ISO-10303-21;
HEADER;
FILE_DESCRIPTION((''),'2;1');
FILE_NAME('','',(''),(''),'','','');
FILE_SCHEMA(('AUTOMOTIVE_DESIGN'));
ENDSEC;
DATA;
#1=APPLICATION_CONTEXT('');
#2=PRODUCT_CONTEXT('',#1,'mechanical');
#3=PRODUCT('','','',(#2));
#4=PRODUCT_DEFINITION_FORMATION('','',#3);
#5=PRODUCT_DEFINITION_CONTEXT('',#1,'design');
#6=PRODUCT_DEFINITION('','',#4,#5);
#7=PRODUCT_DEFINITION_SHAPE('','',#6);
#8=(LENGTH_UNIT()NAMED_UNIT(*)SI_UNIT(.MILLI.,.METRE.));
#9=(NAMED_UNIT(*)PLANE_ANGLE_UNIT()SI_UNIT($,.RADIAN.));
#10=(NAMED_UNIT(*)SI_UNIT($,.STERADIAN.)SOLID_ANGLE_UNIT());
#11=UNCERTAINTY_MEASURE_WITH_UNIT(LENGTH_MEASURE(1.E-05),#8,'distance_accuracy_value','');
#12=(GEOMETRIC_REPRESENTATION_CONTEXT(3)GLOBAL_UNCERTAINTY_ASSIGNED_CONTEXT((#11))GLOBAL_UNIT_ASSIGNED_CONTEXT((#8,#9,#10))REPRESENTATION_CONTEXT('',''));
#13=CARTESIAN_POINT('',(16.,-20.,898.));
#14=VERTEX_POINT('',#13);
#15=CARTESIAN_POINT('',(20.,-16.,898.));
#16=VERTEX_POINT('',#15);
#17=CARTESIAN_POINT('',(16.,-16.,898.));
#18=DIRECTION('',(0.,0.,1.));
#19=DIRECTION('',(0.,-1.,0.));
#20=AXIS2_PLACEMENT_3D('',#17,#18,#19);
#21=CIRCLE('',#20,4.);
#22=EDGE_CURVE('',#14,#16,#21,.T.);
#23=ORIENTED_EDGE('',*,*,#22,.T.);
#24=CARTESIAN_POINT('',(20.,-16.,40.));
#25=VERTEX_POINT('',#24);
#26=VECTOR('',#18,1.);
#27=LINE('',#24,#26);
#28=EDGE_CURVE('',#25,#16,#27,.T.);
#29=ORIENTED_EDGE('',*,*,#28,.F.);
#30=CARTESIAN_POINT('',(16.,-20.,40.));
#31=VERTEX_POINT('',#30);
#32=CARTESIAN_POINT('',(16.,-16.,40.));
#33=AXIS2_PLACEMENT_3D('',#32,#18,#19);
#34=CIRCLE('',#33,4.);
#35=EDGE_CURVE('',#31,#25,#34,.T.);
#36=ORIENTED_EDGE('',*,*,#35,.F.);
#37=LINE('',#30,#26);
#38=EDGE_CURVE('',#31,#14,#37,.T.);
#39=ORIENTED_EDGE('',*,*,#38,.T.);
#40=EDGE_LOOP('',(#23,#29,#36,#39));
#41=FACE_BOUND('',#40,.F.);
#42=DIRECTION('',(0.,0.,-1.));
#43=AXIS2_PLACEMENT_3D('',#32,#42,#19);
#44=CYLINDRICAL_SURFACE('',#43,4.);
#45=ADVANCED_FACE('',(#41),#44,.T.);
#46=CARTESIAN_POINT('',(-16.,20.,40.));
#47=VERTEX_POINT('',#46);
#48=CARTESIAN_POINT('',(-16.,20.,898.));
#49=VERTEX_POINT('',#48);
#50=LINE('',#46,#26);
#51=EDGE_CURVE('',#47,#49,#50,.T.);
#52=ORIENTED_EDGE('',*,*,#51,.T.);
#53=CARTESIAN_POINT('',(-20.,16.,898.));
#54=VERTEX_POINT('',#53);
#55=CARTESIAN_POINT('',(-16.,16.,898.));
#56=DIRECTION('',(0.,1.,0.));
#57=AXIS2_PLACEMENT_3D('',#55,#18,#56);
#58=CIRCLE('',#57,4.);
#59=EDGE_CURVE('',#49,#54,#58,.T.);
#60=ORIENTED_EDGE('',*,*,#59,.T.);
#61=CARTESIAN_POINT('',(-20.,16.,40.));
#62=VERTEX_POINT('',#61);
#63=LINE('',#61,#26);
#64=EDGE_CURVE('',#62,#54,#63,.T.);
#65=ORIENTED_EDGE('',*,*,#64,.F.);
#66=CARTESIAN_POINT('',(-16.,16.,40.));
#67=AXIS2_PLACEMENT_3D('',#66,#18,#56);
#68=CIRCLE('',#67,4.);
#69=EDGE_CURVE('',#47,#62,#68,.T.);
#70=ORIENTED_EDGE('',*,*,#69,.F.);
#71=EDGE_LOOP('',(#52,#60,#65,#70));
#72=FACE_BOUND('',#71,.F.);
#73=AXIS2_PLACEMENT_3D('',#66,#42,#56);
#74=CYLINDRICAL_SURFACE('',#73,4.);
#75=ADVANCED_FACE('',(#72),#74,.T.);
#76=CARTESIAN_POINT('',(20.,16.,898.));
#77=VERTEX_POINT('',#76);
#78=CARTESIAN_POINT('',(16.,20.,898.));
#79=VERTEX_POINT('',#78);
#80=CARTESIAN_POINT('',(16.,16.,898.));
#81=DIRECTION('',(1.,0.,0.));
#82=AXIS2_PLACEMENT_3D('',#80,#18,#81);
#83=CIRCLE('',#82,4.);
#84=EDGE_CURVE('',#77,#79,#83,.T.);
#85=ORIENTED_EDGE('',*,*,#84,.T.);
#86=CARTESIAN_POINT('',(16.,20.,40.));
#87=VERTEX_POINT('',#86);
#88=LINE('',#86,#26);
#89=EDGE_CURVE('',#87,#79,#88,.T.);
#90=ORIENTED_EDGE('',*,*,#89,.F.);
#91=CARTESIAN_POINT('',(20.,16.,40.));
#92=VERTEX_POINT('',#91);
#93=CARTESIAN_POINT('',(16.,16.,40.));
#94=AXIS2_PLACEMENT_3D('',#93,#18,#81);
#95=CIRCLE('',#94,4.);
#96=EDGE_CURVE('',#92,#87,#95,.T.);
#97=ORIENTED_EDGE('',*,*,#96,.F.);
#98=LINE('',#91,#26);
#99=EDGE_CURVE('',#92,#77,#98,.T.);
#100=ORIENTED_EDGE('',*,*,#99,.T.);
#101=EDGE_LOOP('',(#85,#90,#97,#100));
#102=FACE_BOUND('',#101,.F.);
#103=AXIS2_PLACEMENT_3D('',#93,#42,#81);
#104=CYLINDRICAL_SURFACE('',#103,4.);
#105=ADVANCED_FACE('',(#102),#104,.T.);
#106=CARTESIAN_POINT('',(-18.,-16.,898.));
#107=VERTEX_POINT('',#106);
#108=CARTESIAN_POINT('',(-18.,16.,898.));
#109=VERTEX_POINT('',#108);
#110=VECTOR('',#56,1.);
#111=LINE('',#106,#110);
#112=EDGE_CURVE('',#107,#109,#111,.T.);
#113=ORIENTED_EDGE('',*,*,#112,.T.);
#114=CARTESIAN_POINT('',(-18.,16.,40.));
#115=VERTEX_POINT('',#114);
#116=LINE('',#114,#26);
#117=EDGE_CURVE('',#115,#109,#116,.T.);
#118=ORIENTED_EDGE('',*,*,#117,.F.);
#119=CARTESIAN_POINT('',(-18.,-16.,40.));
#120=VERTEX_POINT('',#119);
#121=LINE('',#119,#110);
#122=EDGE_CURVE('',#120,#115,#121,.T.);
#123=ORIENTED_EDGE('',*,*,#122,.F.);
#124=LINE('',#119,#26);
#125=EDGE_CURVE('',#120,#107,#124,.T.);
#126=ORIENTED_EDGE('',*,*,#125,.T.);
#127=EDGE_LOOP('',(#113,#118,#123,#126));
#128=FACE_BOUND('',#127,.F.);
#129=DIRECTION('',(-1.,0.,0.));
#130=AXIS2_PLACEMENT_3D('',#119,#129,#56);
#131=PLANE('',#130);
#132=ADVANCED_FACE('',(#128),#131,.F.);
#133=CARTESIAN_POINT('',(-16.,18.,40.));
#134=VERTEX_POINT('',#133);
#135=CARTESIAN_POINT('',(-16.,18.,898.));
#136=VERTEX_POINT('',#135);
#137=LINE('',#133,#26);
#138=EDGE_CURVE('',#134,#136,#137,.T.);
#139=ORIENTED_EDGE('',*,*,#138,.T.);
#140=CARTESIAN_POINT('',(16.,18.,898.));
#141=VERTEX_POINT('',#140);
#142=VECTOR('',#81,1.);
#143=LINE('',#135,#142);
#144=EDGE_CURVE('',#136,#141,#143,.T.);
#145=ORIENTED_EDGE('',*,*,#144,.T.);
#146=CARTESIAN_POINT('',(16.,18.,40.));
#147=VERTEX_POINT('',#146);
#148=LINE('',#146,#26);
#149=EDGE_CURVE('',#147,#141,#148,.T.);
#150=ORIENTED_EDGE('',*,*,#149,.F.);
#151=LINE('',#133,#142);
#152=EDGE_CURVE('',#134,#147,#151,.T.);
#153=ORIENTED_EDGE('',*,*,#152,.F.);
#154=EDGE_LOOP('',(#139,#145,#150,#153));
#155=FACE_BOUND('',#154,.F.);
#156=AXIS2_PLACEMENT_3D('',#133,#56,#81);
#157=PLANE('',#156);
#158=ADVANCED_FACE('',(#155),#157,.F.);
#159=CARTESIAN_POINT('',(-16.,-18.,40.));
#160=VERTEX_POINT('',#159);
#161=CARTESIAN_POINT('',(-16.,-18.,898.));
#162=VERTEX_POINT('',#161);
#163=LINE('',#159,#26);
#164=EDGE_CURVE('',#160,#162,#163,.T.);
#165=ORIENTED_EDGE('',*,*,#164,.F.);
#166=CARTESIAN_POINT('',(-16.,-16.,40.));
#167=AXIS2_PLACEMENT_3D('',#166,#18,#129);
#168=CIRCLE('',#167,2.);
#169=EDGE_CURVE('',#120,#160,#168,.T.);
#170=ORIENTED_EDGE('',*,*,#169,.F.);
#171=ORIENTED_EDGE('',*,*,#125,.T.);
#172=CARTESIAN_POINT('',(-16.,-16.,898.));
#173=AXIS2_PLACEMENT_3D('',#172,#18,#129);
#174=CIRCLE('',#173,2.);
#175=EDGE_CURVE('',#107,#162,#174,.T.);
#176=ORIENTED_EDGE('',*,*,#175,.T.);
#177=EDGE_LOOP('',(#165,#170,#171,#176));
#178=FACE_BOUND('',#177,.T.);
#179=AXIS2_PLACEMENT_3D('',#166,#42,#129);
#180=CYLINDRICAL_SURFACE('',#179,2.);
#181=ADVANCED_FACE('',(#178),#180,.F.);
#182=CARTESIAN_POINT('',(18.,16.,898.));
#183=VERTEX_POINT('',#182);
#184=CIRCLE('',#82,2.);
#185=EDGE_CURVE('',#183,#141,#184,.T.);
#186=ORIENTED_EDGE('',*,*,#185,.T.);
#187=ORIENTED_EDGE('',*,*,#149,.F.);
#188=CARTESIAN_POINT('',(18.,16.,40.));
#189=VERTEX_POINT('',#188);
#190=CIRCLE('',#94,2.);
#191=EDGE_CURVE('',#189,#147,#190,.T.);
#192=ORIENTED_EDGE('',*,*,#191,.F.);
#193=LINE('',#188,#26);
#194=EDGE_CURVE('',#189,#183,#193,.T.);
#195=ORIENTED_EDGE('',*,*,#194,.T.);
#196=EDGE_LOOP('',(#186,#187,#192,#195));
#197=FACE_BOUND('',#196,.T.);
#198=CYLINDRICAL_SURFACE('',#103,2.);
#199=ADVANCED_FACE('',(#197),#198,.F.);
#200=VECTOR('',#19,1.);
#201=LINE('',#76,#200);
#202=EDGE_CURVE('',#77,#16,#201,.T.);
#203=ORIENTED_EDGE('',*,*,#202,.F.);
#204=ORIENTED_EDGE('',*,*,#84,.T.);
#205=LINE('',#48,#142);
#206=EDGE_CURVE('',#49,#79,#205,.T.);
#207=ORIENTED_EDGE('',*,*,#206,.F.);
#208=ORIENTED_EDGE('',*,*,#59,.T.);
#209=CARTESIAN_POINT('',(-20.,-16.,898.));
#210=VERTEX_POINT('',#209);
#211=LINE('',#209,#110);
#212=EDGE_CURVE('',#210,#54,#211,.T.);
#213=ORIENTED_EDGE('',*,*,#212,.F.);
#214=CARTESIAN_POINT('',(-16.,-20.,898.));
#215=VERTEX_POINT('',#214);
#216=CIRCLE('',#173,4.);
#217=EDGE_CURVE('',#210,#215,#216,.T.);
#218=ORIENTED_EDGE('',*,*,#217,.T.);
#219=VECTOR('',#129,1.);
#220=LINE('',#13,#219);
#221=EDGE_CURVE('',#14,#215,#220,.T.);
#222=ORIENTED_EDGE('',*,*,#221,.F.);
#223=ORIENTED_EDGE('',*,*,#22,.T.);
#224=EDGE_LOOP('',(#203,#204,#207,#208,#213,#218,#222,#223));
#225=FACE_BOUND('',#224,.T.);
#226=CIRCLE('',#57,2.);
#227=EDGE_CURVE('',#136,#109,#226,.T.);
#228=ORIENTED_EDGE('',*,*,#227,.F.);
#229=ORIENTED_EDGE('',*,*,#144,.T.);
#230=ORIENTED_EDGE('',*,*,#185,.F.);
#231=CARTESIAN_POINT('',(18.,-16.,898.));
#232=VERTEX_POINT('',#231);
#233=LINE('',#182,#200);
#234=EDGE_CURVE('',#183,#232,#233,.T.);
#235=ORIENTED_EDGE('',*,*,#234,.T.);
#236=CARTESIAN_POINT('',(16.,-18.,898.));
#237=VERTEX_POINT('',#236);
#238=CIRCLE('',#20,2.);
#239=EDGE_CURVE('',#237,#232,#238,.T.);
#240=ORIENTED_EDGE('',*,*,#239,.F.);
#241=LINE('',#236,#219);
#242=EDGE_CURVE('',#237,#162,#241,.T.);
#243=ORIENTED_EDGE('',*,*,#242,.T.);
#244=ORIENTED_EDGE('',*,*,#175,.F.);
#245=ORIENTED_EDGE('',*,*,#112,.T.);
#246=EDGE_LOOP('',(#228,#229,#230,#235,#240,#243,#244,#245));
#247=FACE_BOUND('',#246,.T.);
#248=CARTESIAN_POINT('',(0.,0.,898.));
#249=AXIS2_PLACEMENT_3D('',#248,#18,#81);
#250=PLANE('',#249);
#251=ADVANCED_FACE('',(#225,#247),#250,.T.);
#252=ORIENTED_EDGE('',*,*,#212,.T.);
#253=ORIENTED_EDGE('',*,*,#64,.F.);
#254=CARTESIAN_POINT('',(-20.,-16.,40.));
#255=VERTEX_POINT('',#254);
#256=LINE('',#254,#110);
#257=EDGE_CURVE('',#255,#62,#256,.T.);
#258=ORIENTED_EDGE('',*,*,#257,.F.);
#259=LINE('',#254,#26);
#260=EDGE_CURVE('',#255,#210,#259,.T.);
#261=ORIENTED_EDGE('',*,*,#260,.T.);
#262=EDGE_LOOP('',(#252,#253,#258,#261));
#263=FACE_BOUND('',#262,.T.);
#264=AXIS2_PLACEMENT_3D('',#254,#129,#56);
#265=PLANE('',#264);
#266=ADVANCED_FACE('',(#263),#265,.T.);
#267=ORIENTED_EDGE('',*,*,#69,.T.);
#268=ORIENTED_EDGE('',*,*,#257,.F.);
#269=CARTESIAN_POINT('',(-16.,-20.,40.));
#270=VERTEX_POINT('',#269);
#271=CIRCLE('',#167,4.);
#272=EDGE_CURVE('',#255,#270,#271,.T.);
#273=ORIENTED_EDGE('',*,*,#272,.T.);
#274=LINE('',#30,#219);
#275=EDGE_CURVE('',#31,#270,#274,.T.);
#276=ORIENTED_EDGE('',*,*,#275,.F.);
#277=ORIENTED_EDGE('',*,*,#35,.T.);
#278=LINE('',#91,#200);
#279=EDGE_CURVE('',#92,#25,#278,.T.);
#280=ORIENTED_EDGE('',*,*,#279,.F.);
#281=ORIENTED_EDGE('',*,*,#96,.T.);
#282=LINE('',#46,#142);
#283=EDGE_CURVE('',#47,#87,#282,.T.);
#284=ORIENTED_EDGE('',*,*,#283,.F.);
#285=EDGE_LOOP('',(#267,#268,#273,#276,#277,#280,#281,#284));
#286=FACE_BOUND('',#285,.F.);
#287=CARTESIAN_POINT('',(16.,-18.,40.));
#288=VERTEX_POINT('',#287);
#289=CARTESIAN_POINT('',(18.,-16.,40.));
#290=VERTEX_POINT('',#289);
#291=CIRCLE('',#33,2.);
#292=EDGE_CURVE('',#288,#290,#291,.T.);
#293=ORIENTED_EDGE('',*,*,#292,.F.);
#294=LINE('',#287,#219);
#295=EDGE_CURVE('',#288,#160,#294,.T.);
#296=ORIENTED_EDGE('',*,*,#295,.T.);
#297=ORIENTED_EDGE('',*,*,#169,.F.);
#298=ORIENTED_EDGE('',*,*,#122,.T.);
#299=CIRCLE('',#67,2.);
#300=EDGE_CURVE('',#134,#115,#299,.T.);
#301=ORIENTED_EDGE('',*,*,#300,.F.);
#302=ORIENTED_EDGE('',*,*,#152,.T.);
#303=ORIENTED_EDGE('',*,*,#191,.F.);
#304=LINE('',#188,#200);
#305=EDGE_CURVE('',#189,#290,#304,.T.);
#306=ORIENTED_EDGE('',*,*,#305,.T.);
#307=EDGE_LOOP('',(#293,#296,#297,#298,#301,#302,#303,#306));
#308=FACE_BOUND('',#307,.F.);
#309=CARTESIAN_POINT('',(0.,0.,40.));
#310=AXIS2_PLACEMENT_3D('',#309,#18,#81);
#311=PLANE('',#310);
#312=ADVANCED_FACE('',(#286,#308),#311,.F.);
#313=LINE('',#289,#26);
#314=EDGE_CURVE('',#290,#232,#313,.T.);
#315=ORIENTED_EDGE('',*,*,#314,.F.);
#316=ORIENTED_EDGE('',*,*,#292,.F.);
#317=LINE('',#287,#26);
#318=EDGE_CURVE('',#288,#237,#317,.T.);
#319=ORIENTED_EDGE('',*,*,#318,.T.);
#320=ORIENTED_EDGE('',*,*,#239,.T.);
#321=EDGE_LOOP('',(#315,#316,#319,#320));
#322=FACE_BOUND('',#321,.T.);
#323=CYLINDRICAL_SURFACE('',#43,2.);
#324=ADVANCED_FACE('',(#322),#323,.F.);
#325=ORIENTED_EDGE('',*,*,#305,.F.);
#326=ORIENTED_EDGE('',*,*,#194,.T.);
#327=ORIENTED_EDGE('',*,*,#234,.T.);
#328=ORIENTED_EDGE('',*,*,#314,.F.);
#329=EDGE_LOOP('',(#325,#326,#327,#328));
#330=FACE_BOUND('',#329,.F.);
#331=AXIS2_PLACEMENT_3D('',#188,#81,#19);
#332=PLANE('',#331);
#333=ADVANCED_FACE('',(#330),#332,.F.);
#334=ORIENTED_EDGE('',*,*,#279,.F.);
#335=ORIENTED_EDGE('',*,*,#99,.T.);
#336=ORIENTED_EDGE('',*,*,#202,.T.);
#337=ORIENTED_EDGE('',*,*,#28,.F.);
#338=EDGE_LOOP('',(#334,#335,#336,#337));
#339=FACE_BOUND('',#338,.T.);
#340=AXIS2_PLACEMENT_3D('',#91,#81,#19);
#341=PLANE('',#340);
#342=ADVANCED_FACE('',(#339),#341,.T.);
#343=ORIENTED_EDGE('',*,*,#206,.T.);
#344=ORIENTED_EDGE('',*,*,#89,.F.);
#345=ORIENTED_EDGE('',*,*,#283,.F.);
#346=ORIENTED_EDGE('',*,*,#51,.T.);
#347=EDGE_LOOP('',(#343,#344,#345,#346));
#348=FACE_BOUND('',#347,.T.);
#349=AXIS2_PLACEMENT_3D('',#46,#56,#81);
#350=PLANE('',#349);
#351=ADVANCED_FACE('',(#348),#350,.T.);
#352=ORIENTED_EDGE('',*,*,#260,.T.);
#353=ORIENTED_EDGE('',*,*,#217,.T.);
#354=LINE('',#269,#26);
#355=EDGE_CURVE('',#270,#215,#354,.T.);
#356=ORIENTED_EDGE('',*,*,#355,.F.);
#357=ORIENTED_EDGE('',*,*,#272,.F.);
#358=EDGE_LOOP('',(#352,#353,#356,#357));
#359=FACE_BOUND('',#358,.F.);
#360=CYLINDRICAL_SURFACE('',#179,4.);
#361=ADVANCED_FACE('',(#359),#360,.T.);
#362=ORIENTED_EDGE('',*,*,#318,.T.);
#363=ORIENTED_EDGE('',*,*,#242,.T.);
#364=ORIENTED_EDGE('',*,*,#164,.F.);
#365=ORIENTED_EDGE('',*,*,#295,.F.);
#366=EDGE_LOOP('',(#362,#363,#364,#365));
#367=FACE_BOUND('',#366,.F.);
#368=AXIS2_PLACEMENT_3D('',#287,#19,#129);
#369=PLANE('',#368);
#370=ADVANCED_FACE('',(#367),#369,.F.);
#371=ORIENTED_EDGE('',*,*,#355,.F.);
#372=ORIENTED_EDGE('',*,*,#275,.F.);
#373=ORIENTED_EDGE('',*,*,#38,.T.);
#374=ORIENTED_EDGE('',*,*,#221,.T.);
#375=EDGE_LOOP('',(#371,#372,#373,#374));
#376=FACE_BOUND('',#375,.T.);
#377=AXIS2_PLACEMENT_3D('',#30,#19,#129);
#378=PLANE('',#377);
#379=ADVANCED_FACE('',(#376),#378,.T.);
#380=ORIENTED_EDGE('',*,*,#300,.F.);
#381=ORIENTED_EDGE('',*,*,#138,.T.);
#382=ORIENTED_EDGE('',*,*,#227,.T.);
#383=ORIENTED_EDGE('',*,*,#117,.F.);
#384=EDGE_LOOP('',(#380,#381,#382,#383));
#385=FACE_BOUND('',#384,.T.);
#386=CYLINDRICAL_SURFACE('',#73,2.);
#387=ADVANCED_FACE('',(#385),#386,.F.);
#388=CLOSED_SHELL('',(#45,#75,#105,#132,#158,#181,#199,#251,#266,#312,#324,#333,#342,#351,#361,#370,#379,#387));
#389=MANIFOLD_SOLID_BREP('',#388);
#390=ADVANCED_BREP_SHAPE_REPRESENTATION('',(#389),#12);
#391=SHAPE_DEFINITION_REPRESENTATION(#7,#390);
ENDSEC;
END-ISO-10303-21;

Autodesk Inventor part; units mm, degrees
ref_plane "YZ Plane" through (0, 0, 0) normal (1, 0, 0) x (0, 1, 0)
ref_plane "Start Plane" through (0, 0, 40) normal (0, 0, 1) x (1, 0, 0)
ref_plane "End Plane" through (0, 0, 898) normal (0, 0, 1) x (1, 0, 0)
sketch "Sketch" plane through (0, 0, 0) normal (0, 0, 1) x (1, 0, 0)
  line L0 (-20, -16) -> (-20, 16)
  line L1 (-16, 20) -> (16, 20)
  line L2 (20, 16) -> (20, -16)
  line L3 (16, -20) -> (-16, -20)
  arc A0 (-20, -16) -> (-16, -20) centre (-16, -16) ccw
  arc A1 (20, 16) -> (16, 20) centre (16, 16) ccw
  arc A2 (-16, 20) -> (-20, 16) centre (-16, 16) ccw
  arc A3 (16, -20) -> (20, -16) centre (16, -16) ccw
  arc A4 (-16, 18) -> (-18, 16) centre (-16, 16) ccw
  line L4 (-16, 18) -> (16, 18)
  arc A5 (18, 16) -> (16, 18) centre (16, 16) ccw
  line L5 (18, 16) -> (18, -16)
  arc A6 (16, -18) -> (18, -16) centre (16, -16) ccw
  line L6 (16, -18) -> (-16, -18)
  arc A7 (-18, -16) -> (-16, -18) centre (-16, -16) ccw
  line L7 (-18, -16) -> (-18, 16)
  line L8 (0, 29.1598) -> (0, -29.1598) construction
  line L9 (-29.1598, 0) -> (29.1598, 0) construction
  dimension "d7" = 4
  dimension "d9" = 40
  dimension "d11" = 40
  dimension "d12" = 2
  dimension "d15" = 20
  dimension "d16" = 20
extrude "Body" add sketch "Sketch" along normal up to surface (858 mm away) from surface at 40
sketch "Sketch3" plane through (0, 0, 0) normal (0, 0, 1) x (1, 0, 0)
  line L0 (0, 0) -> (10, 0)
ref_plane "Work Plane3" through (0, 0, 0) normal (0, -1, 0) x (1, 0, 0)
sketch "Sketch4" plane through (0, 0, 0) normal (0, -1, 0) x (1, 0, 0)
  line L0 (-2, 40) -> (12, 40) projected
  line L1 (-2, 898) -> (12, 898) projected
  dimension "d18" = 858
equation "\"d7\" = G_IR"
equation "\"d9\" = G_W"
equation "\"d11\" = G_H"
equation "\"d12\" = G_T"
equation "\"d15\" = 0.5 * d9"
equation "\"d16\" = 0.5 * d11"
equation "\"d3\" = G_L"
equation "\"G_W\" = 40"
equation "\"G_H\" = 40"
equation "\"G_T\" = 2"
equation "\"G_IR\" = 4"
equation "\"G_L\" = d18"
equation "\"d14\" = G_OFFSET_END + B_L"
equation "\"B_L\" = 938"
equation "\"G_OFFSET_END\" = -40"
properties part number "ISO 4019 - 40x40x2 - 858" material "Steel, Mild"
